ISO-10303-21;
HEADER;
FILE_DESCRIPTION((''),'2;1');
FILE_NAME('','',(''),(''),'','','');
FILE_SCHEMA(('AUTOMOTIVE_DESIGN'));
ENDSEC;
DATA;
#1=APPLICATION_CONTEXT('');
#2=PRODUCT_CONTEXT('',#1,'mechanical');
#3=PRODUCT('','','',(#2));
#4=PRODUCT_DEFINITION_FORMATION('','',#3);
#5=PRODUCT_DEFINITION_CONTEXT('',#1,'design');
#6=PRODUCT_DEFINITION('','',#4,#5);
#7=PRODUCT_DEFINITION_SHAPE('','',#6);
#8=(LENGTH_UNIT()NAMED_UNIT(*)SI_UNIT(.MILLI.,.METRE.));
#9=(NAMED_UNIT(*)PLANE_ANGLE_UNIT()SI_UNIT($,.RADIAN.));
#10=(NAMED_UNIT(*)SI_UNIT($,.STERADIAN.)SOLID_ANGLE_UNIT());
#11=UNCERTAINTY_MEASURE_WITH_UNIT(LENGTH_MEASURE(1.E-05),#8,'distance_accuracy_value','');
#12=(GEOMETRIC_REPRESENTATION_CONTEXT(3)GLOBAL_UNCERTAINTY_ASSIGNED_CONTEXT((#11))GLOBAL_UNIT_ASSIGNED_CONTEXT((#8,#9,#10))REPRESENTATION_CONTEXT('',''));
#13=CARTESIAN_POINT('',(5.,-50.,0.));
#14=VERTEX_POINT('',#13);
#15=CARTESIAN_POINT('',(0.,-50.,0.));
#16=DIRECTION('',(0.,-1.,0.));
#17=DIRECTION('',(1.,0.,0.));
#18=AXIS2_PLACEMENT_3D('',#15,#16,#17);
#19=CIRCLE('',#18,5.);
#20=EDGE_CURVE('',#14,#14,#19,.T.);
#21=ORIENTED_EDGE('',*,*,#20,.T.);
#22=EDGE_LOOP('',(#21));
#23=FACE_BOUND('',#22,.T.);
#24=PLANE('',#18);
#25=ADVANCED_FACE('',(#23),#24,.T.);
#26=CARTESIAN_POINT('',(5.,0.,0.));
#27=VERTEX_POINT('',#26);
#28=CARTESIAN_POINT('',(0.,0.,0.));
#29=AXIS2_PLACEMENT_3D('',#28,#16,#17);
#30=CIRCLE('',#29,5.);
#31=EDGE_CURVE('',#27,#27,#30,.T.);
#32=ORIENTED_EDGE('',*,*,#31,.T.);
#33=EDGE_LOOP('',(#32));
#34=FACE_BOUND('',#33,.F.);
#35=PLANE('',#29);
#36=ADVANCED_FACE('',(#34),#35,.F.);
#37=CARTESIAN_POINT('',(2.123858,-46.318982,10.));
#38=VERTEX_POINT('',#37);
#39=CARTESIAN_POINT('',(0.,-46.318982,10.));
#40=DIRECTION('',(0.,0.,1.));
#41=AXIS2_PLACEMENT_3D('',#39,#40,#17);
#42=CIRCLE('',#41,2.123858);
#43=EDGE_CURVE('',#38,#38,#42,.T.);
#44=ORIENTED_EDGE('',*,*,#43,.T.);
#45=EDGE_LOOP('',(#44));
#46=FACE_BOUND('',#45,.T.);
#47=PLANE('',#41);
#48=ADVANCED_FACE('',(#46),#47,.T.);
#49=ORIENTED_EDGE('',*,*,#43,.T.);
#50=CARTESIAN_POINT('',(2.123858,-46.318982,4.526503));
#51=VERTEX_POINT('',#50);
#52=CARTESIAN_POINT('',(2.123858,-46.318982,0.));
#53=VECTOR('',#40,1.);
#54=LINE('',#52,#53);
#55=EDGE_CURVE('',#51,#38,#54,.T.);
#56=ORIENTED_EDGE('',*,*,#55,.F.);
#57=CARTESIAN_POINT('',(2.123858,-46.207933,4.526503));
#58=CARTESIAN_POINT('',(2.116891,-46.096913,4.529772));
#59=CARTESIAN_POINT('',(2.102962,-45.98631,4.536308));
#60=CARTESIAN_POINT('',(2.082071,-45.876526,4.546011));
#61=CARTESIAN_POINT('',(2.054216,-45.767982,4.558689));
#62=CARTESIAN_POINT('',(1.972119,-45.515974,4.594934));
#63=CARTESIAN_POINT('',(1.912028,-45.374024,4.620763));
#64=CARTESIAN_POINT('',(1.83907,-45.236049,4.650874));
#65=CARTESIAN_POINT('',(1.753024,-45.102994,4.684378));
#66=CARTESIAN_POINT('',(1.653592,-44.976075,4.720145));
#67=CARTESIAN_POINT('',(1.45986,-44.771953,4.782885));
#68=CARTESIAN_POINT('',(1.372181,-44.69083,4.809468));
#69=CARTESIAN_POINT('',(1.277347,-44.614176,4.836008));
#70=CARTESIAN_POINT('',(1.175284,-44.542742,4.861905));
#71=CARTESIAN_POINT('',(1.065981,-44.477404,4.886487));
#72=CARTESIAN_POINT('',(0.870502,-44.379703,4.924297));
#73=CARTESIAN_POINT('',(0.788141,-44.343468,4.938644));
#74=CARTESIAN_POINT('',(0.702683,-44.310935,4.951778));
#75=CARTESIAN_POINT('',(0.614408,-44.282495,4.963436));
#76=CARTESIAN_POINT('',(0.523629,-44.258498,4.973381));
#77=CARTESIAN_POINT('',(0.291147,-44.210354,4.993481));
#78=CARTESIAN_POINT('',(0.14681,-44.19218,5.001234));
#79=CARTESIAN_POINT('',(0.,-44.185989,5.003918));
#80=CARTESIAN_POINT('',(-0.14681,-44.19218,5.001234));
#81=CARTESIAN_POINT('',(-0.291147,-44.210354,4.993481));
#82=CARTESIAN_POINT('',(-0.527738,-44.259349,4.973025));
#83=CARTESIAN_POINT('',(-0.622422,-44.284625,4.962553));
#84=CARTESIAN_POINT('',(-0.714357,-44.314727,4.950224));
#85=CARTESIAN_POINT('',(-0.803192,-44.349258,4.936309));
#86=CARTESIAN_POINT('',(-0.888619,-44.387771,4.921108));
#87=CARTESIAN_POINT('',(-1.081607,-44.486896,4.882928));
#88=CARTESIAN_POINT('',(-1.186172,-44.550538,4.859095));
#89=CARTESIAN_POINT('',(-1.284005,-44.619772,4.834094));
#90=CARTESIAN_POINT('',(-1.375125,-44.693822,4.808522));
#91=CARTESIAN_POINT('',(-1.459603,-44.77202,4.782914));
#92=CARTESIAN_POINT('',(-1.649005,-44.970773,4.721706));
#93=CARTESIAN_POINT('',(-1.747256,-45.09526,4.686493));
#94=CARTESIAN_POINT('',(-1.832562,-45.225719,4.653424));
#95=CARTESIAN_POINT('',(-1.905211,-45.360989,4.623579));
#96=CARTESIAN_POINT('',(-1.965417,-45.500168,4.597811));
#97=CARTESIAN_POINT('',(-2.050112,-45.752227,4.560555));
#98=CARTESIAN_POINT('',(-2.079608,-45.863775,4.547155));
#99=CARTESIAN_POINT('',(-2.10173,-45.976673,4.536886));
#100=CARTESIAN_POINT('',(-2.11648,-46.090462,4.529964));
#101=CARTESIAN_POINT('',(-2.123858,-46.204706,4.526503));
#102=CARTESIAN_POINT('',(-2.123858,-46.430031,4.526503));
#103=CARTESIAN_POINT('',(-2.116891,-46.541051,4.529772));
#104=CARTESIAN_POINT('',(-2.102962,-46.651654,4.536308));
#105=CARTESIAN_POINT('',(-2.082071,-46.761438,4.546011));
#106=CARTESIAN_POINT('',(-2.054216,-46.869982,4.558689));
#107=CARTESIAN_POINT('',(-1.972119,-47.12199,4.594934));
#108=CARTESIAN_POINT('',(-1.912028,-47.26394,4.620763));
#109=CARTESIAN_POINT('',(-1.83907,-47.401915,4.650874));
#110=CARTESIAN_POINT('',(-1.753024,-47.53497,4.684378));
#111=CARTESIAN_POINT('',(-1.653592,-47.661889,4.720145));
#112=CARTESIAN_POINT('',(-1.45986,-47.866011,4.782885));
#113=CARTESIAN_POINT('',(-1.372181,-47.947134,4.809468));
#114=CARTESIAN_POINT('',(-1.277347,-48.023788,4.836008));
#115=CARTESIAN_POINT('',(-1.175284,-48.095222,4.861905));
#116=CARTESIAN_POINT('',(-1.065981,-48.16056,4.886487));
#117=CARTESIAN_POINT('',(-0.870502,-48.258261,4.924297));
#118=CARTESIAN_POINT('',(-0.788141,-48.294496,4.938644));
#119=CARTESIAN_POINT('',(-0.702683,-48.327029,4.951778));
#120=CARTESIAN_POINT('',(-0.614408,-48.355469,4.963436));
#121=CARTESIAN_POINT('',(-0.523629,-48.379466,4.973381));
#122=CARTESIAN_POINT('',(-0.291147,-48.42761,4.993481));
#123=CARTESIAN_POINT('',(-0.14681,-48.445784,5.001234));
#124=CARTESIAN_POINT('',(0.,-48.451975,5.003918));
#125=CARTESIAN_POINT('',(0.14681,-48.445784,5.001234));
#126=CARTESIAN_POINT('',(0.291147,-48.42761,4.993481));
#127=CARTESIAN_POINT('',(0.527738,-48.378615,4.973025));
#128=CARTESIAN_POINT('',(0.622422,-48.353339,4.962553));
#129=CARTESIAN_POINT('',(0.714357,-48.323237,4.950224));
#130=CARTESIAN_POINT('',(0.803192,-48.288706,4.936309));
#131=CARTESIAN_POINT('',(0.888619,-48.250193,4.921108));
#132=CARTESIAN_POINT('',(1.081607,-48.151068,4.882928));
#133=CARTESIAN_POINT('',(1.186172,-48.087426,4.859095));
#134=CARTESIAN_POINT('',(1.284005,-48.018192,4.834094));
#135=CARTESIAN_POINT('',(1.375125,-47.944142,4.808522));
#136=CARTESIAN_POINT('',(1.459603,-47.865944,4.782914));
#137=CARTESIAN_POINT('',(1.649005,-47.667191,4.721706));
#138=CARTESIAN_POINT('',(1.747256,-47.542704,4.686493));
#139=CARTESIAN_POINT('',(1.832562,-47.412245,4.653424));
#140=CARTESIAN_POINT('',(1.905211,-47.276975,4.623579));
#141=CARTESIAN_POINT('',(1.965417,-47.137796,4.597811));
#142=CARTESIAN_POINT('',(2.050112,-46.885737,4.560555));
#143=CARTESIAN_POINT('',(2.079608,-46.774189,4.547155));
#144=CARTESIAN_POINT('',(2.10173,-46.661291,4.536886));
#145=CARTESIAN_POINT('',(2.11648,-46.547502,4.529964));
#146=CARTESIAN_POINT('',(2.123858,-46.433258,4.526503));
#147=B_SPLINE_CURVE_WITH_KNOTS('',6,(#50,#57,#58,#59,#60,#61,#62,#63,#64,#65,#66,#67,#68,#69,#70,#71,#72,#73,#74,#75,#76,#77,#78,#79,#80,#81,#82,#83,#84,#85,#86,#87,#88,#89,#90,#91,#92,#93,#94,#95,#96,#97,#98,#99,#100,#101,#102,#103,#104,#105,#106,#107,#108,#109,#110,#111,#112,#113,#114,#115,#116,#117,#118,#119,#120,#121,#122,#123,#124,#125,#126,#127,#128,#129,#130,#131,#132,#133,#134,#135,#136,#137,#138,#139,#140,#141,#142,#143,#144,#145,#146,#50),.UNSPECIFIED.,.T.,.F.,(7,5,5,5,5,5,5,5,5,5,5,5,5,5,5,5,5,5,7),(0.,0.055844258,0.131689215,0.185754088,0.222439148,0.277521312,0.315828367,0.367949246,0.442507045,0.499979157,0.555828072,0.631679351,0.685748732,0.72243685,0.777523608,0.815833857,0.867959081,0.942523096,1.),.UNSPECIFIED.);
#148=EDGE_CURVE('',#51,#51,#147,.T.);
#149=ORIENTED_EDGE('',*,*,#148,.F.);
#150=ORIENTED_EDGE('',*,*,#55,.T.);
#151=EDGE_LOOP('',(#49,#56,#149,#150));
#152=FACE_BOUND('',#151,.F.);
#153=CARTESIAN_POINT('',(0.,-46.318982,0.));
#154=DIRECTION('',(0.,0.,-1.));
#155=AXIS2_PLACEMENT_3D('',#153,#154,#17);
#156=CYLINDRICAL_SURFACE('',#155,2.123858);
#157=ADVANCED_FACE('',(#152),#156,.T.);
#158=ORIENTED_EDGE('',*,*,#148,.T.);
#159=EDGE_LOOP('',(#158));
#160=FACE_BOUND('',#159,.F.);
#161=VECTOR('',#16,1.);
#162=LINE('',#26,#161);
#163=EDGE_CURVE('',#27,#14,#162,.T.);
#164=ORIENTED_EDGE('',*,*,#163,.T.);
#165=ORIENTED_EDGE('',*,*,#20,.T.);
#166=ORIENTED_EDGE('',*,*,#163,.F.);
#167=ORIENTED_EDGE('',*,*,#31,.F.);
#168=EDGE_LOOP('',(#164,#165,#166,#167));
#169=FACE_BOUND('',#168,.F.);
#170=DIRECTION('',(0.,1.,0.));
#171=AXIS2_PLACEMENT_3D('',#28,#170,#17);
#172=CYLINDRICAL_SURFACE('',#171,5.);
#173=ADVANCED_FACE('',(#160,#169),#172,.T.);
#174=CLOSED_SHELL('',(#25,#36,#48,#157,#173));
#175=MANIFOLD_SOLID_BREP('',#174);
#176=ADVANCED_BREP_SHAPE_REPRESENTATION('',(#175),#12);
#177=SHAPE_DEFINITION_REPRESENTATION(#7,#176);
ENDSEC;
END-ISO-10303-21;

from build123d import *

# Parameters (mm, degrees)
F0_R     = 5
F1_DEPTH = 50
F2_R     = 2.123858
F3_DEPTH = 10


with BuildPart() as f1:
    # F0 (on Front) → F1 (new body)
    with BuildSketch(Plane.XZ):
        Circle(F0_R)
    extrude(amount=F1_DEPTH)

    # F2 (on Top) → F3 (join)
    with BuildSketch(Plane.XY):
        with Locations((0, -46.318982)):
            Circle(F2_R)
    extrude(amount=F3_DEPTH)


solid = f1.part
